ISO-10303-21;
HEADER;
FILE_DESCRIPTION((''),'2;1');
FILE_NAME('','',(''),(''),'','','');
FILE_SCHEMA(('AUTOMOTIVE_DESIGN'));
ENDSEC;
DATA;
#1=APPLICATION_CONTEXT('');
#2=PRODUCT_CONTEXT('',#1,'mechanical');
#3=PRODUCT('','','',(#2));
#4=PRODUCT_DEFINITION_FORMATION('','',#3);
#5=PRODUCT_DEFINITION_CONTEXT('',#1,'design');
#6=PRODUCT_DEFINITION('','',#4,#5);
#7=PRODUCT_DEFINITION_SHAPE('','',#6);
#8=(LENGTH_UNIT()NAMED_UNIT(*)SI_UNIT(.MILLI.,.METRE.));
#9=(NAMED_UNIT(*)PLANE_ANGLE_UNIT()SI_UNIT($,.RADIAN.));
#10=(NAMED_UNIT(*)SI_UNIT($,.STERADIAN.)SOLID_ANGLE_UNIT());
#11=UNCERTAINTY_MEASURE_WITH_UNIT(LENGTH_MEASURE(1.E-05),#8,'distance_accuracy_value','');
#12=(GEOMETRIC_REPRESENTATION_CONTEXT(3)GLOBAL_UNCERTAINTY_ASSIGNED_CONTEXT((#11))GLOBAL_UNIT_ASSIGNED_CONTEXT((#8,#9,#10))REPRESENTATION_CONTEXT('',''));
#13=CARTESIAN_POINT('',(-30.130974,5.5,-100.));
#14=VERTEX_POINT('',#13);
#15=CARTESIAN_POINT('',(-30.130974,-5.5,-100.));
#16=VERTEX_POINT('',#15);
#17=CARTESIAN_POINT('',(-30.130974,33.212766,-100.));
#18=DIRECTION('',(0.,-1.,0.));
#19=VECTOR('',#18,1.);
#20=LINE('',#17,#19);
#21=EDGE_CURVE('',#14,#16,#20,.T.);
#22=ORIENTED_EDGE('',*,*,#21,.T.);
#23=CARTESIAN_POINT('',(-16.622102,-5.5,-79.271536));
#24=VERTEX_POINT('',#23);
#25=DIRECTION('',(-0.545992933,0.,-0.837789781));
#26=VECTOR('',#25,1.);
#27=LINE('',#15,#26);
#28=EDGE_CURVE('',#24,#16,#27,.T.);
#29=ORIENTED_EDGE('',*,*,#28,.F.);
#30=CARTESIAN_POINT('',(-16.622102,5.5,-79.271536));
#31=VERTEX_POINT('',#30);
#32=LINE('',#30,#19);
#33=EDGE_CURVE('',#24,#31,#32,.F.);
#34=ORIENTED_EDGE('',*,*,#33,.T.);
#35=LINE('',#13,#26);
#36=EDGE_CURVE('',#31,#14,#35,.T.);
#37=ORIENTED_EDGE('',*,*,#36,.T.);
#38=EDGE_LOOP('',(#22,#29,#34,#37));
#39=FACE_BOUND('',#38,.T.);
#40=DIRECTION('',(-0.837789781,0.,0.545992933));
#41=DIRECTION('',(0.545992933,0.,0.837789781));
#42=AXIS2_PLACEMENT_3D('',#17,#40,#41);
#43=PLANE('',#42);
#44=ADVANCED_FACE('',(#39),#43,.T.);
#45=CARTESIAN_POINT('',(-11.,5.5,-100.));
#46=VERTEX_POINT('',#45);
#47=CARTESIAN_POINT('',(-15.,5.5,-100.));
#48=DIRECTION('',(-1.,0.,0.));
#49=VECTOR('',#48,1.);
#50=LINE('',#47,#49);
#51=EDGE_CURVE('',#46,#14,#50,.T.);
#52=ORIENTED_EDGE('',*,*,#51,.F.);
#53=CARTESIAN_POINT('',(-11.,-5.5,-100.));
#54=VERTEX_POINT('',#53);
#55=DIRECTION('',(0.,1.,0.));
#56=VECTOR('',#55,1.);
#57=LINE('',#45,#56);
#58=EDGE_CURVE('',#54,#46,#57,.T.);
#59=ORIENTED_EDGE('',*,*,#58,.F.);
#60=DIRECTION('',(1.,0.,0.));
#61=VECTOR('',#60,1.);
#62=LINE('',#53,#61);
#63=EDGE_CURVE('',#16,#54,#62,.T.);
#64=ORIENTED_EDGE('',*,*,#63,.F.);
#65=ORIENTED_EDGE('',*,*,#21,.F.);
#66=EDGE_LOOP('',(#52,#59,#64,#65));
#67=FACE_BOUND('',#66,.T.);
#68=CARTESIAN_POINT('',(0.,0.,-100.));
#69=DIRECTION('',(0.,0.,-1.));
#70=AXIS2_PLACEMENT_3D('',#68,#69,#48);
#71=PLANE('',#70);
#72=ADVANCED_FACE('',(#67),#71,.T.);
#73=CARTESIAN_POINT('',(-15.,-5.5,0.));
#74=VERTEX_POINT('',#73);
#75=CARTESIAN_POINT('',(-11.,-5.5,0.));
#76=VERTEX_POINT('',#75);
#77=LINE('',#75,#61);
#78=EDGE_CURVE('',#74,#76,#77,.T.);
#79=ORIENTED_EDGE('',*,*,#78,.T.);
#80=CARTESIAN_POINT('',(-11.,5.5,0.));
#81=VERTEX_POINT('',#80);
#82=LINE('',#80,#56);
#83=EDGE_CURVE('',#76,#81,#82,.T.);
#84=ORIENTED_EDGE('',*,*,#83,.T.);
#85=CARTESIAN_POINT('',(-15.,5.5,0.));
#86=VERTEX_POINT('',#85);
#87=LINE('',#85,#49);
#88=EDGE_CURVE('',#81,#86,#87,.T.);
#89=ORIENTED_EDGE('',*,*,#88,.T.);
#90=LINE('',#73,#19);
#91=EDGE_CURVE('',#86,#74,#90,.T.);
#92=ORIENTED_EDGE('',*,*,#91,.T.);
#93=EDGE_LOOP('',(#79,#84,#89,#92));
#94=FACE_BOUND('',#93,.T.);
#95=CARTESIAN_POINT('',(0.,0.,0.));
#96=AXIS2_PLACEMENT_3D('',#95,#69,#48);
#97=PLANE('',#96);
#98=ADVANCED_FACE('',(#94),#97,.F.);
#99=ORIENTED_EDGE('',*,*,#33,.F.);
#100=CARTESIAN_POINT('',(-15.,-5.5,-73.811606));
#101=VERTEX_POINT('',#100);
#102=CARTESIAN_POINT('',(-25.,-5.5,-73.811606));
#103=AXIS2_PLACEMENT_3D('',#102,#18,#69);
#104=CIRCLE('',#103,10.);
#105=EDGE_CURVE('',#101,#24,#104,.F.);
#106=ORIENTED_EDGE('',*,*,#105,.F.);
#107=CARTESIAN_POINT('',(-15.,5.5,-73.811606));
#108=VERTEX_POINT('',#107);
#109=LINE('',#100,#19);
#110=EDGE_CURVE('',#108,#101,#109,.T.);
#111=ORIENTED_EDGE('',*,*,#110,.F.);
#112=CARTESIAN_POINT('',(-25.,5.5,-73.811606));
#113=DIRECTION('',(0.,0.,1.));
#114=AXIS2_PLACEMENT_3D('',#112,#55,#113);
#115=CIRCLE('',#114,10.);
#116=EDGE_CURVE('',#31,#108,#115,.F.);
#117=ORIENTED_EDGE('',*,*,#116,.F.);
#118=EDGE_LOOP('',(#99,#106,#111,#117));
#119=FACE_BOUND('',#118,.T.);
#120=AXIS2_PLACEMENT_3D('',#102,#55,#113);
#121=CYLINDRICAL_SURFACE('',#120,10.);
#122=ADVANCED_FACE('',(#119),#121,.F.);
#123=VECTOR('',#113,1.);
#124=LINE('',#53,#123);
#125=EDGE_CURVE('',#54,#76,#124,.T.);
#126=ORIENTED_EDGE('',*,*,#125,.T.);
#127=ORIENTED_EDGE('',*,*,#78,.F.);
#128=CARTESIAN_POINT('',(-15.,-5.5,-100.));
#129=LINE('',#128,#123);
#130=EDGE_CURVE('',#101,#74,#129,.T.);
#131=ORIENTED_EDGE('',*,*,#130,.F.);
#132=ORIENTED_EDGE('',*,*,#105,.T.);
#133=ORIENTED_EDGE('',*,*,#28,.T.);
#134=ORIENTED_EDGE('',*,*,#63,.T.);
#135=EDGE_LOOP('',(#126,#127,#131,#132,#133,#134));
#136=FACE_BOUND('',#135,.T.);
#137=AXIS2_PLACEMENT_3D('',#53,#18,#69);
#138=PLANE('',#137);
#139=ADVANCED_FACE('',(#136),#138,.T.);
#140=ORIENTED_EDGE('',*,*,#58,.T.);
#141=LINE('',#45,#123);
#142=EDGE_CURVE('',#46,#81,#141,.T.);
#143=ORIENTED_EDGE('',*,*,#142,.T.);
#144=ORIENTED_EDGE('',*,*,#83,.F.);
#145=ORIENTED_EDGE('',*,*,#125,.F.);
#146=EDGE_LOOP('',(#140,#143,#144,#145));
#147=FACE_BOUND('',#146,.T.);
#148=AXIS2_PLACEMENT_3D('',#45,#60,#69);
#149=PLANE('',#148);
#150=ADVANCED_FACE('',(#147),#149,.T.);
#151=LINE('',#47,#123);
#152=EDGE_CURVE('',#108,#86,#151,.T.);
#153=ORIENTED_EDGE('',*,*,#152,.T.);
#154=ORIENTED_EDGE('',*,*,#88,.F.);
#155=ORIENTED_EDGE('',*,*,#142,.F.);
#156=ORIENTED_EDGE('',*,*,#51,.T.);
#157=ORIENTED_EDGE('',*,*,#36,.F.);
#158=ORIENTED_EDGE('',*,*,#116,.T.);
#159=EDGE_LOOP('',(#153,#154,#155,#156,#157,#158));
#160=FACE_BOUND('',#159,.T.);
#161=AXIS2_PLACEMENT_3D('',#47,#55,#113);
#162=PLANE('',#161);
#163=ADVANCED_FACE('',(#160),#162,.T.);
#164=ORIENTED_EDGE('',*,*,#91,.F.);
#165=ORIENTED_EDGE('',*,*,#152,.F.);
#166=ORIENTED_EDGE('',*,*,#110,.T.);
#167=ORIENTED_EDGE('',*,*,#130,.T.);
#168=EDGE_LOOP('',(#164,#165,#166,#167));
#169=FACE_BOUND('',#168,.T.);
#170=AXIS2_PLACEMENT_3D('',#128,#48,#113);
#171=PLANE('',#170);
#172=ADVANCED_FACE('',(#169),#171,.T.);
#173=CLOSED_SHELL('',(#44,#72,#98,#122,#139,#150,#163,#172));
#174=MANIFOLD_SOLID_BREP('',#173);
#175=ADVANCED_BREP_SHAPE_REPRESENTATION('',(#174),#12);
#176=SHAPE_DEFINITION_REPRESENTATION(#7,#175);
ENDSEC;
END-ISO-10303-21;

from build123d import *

# Parameters (mm, degrees)
CROQUIS1_W              = 4
CROQUIS1_H              = 11
SALIENTE_EXTRUIR1_DEPTH = 100
SALIENTE_EXTRUIR2_DEPTH = 11
REDONDEO1_R             = 10


with BuildPart() as part:
    # Croquis1 → Saliente-Extruir1 (new body)
    with BuildSketch(Plane.XY):
        with Locations((-13, 0)):
            Rectangle(CROQUIS1_W, CROQUIS1_H)
    extrude(amount=-SALIENTE_EXTRUIR1_DEPTH)

    # Croquis3 → Saliente-Extruir2 (add)
    with BuildSketch(Plane.XZ.offset(5.5)):
        Polygon((-15, -100), (-30.130974356, -100), (-15, -76.782527914), align=None)
    extrude(amount=-SALIENTE_EXTRUIR2_DEPTH)

    # Redondeo1
    redondeo1_edges = [part.edges().sort_by_distance(p)[0] for p in [
        (-15, 0, -76.782527914),
    ]]
    fillet(redondeo1_edges, radius=REDONDEO1_R)


solid = part.part
